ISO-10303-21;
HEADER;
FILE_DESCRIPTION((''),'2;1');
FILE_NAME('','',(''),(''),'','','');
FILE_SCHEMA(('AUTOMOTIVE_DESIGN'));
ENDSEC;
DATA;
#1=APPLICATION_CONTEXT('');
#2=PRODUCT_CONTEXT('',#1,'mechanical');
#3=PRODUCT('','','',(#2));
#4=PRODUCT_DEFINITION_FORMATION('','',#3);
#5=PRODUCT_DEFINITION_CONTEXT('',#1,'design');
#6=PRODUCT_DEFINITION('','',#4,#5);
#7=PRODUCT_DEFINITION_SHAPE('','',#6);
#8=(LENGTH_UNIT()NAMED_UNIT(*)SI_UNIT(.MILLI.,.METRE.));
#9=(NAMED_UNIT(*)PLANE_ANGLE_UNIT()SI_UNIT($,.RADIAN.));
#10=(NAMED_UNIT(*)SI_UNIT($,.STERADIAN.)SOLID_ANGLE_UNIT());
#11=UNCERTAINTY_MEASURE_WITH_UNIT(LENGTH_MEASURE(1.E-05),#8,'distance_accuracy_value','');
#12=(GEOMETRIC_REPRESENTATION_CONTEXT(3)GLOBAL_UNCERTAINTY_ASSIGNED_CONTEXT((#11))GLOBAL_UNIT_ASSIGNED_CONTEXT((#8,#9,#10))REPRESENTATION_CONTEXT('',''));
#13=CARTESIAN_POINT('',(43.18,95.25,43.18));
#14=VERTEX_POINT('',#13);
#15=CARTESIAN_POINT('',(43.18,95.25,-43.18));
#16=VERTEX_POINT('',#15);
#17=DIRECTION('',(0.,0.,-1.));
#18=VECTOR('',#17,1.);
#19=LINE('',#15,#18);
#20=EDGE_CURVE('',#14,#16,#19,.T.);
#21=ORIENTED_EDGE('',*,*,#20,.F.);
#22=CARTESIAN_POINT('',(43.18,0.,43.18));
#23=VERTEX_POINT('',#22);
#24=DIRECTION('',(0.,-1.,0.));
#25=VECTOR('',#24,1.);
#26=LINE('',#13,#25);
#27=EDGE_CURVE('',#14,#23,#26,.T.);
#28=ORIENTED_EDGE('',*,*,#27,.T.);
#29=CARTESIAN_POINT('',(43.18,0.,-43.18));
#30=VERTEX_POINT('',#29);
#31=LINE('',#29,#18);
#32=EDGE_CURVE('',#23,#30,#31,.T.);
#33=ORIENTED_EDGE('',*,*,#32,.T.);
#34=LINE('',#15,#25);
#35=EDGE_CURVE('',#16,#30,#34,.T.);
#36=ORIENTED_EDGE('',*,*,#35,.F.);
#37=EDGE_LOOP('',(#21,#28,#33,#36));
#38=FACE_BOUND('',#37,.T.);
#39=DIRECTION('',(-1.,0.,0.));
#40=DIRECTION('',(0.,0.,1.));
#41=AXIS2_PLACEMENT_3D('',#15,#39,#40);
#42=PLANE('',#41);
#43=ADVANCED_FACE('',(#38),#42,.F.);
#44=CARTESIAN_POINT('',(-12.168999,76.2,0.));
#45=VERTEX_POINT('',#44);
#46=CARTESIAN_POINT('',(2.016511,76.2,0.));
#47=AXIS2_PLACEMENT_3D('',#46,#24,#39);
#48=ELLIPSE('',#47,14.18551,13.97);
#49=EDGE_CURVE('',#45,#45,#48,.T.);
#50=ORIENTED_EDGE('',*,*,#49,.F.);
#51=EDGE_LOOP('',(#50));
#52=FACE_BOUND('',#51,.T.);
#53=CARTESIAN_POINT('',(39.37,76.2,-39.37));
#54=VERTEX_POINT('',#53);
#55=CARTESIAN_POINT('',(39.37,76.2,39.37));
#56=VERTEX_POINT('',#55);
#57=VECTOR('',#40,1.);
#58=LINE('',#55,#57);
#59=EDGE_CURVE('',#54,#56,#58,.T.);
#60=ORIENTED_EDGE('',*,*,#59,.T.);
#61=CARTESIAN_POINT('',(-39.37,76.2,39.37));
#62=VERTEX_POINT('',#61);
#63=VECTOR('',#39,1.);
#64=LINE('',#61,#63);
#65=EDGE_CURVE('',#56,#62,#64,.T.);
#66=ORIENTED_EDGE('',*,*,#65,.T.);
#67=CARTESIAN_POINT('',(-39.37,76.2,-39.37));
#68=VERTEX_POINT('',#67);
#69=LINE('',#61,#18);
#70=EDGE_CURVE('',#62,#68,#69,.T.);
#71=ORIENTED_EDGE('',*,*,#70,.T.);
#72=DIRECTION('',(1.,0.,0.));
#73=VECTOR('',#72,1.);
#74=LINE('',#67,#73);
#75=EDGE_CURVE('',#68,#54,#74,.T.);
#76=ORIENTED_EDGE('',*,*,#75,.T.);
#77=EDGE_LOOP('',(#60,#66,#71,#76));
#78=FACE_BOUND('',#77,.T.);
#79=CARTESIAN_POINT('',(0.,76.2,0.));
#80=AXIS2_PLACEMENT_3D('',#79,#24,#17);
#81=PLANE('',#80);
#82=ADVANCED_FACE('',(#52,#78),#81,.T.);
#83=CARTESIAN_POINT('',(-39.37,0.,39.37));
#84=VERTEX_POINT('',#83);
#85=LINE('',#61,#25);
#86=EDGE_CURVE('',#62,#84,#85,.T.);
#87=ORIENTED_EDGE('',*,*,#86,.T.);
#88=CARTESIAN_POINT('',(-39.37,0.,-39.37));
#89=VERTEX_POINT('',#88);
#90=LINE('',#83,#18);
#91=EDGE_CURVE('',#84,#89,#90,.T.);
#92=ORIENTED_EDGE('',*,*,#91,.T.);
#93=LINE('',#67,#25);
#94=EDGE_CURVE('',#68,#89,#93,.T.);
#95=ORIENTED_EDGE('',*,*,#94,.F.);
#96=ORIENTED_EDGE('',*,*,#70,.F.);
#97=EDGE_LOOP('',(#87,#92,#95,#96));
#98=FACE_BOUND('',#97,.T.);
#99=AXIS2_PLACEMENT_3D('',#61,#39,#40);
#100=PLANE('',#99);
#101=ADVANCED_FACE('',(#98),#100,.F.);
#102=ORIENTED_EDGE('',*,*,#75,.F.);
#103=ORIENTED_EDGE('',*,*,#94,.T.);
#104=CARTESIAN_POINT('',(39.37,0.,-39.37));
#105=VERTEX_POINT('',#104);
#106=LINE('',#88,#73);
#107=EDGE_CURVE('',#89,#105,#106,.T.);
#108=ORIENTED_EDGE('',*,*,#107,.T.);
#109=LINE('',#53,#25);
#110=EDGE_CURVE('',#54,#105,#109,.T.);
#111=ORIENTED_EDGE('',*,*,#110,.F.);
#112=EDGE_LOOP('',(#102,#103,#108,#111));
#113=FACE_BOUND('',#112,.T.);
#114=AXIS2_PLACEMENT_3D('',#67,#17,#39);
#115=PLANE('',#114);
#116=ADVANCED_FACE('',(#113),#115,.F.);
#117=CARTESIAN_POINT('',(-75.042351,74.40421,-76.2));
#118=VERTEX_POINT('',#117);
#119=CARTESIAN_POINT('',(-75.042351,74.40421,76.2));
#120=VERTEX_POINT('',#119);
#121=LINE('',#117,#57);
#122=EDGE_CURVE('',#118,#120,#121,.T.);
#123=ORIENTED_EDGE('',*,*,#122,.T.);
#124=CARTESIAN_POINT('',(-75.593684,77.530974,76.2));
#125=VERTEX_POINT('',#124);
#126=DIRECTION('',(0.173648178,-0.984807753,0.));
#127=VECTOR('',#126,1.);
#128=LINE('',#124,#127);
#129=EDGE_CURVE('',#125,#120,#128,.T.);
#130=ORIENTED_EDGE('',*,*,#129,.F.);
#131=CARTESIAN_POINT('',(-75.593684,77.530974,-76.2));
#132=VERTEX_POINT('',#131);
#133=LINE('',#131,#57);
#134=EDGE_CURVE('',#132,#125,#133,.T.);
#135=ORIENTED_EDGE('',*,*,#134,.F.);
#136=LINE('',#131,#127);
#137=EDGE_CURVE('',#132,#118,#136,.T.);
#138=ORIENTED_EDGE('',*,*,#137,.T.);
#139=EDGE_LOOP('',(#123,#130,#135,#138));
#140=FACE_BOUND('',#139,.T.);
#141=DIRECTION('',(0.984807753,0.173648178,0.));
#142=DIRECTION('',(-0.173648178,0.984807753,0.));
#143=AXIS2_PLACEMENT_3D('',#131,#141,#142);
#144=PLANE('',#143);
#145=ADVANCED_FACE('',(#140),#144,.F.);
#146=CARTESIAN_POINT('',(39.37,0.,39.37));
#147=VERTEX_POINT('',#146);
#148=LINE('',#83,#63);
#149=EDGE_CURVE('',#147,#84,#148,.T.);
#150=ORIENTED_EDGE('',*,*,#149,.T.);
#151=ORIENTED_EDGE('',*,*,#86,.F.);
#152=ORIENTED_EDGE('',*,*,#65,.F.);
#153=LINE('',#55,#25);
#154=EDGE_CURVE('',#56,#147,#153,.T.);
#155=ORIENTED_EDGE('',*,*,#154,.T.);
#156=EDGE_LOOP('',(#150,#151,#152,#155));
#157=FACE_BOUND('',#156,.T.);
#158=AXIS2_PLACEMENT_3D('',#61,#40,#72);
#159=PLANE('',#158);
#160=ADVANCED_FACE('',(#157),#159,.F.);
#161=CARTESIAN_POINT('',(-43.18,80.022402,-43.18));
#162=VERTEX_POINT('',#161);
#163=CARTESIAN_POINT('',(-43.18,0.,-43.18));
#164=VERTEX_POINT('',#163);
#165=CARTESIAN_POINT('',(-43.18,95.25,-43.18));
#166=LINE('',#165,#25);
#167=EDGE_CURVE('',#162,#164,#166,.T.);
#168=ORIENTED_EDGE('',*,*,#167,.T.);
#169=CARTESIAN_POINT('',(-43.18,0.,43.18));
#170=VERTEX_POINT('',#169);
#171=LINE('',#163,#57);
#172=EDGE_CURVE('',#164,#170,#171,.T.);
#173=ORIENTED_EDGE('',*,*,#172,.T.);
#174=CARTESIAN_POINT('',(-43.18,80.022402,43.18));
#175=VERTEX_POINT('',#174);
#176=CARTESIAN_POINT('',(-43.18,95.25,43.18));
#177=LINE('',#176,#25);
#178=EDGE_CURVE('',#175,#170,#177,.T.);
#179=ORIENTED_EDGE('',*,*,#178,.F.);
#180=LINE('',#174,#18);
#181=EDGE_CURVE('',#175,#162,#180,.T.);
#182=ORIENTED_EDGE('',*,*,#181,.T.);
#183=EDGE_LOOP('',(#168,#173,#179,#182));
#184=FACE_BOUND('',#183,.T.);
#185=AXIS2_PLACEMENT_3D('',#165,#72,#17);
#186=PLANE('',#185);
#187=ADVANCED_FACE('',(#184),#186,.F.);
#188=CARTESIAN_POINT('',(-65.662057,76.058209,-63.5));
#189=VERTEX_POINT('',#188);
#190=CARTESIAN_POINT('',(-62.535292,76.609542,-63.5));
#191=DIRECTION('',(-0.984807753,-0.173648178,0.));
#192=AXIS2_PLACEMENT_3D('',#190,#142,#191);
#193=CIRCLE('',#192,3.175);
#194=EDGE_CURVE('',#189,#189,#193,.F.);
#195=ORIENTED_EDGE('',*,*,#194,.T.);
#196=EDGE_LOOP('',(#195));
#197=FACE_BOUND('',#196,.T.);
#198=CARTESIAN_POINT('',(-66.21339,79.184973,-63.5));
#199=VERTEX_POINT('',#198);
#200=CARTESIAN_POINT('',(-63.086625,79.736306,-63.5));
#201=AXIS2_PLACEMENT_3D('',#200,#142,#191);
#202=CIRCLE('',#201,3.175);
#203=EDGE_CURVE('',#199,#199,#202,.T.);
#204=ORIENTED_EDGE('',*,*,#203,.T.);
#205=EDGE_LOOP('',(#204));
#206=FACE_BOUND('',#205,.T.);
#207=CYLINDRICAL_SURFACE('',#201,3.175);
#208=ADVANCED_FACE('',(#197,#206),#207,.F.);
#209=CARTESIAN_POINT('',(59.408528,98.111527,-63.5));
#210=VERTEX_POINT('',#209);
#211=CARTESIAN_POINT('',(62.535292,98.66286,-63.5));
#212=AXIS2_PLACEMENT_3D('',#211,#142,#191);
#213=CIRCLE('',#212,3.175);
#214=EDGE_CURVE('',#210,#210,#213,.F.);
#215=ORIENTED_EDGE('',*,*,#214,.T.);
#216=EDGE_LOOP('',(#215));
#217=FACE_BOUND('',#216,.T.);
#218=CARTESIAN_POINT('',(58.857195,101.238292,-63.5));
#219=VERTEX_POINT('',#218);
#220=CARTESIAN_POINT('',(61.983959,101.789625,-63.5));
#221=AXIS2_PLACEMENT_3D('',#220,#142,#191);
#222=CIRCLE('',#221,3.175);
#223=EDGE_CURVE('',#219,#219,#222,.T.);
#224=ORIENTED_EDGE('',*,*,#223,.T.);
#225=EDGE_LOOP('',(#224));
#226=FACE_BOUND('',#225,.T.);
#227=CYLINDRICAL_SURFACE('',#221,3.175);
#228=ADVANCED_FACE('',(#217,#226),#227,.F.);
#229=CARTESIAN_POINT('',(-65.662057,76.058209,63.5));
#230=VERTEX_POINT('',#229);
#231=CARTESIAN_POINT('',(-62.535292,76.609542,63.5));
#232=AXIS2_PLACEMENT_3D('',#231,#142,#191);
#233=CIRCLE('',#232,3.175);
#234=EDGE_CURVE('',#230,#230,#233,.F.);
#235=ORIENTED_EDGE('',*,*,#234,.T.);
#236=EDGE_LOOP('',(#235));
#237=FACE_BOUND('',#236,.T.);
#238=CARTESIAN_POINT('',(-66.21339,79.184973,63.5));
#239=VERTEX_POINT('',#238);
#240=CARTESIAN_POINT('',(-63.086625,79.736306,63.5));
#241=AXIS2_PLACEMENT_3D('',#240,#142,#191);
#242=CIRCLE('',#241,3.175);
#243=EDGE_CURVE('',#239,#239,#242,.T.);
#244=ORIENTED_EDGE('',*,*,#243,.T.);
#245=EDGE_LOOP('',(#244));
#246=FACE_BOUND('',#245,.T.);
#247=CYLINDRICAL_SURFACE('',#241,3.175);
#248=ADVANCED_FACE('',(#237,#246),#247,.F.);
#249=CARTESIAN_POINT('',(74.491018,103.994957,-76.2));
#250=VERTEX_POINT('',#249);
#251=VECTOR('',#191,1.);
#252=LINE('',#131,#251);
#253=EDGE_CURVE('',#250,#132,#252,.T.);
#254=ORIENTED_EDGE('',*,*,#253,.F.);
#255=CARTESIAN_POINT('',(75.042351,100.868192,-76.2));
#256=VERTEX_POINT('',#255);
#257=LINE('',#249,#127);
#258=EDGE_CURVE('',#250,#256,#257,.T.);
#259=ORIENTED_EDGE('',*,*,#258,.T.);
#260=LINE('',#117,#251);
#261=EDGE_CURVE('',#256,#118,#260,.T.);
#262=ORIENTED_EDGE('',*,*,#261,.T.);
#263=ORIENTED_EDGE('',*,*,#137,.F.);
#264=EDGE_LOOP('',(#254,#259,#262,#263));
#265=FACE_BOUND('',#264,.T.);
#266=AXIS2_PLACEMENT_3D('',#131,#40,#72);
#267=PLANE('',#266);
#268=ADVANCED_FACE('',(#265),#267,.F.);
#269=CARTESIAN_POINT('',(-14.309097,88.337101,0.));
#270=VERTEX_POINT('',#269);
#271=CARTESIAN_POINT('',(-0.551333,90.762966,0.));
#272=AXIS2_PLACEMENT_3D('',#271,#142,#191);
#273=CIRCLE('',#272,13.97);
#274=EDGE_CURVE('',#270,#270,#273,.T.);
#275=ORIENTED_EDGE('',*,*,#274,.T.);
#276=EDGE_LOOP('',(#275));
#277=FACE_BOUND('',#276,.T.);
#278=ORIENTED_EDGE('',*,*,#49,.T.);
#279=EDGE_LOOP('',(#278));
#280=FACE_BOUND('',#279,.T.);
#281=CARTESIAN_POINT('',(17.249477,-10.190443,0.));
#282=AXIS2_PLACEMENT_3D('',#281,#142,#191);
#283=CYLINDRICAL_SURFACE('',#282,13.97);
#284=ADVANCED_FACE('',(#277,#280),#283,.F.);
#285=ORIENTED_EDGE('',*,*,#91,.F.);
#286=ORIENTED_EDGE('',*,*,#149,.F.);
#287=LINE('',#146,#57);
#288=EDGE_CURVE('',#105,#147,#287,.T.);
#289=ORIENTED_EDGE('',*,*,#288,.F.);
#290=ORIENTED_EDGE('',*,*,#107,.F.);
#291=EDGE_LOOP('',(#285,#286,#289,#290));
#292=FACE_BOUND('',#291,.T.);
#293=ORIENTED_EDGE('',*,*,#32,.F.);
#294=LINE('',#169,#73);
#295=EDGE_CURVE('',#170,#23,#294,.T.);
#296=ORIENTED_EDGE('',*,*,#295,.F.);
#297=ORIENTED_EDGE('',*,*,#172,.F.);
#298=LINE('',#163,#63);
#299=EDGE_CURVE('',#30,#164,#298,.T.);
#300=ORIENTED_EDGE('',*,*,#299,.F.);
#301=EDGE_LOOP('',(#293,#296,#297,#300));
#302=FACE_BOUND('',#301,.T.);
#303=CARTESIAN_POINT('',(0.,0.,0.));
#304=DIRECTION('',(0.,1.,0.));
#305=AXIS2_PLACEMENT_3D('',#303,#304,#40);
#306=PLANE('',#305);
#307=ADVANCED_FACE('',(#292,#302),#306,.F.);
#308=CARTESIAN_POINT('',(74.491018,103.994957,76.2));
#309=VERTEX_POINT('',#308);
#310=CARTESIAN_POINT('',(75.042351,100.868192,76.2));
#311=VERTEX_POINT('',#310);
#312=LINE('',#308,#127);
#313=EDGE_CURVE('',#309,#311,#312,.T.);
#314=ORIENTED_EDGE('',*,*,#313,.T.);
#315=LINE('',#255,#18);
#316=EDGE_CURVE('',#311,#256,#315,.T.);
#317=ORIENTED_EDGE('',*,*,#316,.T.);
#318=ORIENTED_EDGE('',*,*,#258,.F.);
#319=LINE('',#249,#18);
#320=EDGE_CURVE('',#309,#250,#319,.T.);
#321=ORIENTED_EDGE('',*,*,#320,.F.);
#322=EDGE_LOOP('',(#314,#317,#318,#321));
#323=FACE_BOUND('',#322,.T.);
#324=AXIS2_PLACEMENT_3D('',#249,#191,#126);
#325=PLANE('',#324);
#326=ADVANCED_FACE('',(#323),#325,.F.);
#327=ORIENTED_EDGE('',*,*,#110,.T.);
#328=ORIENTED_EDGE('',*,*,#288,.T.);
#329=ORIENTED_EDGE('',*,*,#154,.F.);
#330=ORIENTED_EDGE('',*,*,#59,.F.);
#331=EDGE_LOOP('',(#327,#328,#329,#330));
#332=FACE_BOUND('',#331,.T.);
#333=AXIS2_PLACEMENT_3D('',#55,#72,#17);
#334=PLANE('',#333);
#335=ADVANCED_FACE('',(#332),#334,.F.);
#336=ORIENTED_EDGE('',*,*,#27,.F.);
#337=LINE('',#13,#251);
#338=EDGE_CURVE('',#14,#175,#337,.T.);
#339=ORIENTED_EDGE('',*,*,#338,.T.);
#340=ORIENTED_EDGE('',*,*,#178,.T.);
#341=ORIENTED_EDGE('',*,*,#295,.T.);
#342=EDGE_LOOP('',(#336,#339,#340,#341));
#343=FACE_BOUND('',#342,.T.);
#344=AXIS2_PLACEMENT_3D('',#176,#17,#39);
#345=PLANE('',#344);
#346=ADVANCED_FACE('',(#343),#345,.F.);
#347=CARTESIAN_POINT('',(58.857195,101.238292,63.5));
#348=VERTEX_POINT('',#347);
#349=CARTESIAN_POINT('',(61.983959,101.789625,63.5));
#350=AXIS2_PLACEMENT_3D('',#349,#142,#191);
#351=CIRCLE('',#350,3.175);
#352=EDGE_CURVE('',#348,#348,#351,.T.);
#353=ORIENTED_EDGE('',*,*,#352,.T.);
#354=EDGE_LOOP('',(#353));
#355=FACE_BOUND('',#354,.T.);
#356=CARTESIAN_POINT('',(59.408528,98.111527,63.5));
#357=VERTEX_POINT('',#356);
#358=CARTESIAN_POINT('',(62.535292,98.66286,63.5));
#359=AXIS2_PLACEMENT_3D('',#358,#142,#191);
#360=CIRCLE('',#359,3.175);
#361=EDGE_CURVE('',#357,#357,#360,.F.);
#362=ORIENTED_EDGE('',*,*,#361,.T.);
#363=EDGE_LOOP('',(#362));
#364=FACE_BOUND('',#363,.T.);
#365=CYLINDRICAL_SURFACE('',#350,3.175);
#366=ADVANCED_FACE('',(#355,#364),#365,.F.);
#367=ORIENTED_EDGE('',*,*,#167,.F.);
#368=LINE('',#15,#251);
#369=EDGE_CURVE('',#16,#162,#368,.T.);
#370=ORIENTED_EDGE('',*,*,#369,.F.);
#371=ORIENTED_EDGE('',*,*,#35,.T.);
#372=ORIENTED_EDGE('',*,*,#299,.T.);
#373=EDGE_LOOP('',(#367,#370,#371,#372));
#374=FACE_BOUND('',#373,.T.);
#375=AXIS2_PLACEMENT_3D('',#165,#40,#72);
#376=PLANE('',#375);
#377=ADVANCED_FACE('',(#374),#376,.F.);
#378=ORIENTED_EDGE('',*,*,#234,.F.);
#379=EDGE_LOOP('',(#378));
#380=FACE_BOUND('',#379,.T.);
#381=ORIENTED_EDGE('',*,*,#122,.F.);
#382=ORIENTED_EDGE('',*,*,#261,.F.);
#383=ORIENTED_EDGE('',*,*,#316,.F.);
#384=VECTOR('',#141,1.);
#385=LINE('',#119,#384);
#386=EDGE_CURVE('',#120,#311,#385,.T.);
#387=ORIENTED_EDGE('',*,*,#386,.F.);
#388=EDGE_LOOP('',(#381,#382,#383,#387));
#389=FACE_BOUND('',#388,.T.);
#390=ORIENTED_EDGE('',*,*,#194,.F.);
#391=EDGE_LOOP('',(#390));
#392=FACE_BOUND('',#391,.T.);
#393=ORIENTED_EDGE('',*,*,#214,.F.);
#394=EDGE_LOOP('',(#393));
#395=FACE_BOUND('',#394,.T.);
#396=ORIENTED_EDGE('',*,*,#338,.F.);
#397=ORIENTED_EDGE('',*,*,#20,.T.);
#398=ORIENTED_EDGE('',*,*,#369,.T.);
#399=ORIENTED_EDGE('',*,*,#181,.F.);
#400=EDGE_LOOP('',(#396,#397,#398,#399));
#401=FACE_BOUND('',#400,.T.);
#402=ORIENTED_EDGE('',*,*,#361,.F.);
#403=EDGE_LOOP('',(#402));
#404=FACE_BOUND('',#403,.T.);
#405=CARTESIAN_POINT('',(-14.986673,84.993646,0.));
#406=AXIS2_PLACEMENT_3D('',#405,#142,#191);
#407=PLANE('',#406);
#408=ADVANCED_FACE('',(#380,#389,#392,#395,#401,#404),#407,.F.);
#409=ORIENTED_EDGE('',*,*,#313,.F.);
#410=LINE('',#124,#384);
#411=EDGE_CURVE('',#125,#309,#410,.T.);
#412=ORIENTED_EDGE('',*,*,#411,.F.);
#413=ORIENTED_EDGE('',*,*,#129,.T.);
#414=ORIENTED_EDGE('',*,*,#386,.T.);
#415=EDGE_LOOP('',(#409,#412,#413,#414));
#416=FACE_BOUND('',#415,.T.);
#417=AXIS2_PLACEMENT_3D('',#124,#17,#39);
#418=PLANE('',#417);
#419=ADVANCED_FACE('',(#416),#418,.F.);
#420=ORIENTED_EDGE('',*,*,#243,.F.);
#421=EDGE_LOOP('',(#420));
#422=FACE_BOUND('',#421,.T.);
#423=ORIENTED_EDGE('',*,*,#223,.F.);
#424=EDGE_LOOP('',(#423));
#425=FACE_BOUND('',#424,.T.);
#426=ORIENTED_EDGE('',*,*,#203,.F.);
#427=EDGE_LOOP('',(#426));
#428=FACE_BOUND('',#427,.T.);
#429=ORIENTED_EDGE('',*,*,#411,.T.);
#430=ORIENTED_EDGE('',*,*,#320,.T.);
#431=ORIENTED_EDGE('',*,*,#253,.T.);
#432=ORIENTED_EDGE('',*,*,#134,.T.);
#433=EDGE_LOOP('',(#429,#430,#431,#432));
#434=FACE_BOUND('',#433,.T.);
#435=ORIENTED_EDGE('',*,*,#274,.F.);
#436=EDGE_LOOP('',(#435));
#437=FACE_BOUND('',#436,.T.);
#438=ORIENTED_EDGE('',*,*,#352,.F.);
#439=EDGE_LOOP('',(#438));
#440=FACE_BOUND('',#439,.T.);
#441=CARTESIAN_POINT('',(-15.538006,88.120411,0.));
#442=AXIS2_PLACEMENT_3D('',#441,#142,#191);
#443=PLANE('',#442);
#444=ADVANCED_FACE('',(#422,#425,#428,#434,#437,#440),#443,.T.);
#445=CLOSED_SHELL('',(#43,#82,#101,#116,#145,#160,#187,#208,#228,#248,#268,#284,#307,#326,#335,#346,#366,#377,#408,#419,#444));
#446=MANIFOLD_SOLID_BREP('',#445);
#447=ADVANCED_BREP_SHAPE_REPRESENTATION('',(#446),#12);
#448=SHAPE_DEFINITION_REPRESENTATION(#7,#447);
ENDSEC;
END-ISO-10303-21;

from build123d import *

# Parameters (mm, degrees)
SKETCH1_W                       = 86.36
SKETCH1_H                       = 86.36
BOSS_EXTRUDE1_DEPTH             = 95.25
SKETCH2_W                       = 78.74
SKETCH2_H                       = 78.74
CUT_EXTRUDE1_DEPTH              = 76.2
CUT_EXTRUDE2_DEPTH              = 87.36
SKETCH7_W                       = 152.4
SKETCH7_H                       = 152.4
BOSS_EXTRUDE2_DEPTH             = 3.175
SKETCH9_R                       = 13.97
CUT_EXTRUDE4_DEPTH              = 103.510777623
F_1_4_0_25_DIAMETER_HOLE1_D     = 6.35
F_1_4_0_25_DIAMETER_HOLE1_DEPTH = 3.175
F_1_4_0_25_DIAMETER_HOLE1_TIP   = 1.907732465


with BuildPart() as part:
    # Sketch1 → Boss-Extrude1 (new body)
    with BuildSketch(Plane(origin=(0, 0, 0), x_dir=(1, 0, 0), z_dir=(0, 1, 0))):
        Rectangle(SKETCH1_W, SKETCH1_H)
    extrude(amount=BOSS_EXTRUDE1_DEPTH)

    # Sketch2 → Cut-Extrude1 (cut)
    with BuildSketch(Plane(origin=(0, 0, 0), x_dir=(-1, 0, 0), z_dir=(0, -1, 0))):
        Rectangle(SKETCH2_W, SKETCH2_H)
    extrude(amount=-CUT_EXTRUDE1_DEPTH, mode=Mode.SUBTRACT)

    # Sketch4 → Cut-Extrude2 (cut, through all)
    with BuildSketch(Plane(origin=(0, 0, -43.18), x_dir=(-1, 0, 0), z_dir=(0, 0, -1))):
        Polygon((-43.18, 95.25), (43.18, 80.022401946), (43.18, 95.25), align=None)
    extrude(amount=-CUT_EXTRUDE2_DEPTH, mode=Mode.SUBTRACT)

    # Sketch7 → Boss-Extrude2 (add)
    with BuildSketch(Plane(origin=(-14.986673009, 84.993646171, 0), x_dir=(0.984807753, 0.173648178, 0), z_dir=(-0.173648178, 0.984807753, 0))):
        with Locations((15.217866597, 0)):
            Rectangle(SKETCH7_W, SKETCH7_H)
    extrude(amount=BOSS_EXTRUDE2_DEPTH)

    # Sketch9 → Cut-Extrude4 (cut, through all)
    with BuildSketch(Plane(origin=(-15.538005973, 88.120410786, 0), x_dir=(0.984807753, 0.173648178, 0), z_dir=(-0.173648178, 0.984807753, 0))):
        with Locations((15.217866597, 0)):
            Circle(SKETCH9_R)
    extrude(amount=-CUT_EXTRUDE4_DEPTH, mode=Mode.SUBTRACT)

    # 1/4 (0.25) Diameter Hole1
    with Locations(Plane(origin=(-15.538005973, 88.120410786, 0), x_dir=(0.984807753, 0.173648178, 0), z_dir=(-0.173648178, 0.984807753, 0))):
        with Locations((-48.282133403, 63.5), (78.717866597, 63.5), (78.717866597, -63.5), (-48.282133403, -63.5)):
            Hole(F_1_4_0_25_DIAMETER_HOLE1_D / 2, depth=F_1_4_0_25_DIAMETER_HOLE1_DEPTH)
            with Locations((0, 0, -(F_1_4_0_25_DIAMETER_HOLE1_DEPTH + F_1_4_0_25_DIAMETER_HOLE1_TIP / 2))):  # 118° drill point
                Cone(0, F_1_4_0_25_DIAMETER_HOLE1_D / 2, F_1_4_0_25_DIAMETER_HOLE1_TIP, mode=Mode.SUBTRACT)


solid = part.part
